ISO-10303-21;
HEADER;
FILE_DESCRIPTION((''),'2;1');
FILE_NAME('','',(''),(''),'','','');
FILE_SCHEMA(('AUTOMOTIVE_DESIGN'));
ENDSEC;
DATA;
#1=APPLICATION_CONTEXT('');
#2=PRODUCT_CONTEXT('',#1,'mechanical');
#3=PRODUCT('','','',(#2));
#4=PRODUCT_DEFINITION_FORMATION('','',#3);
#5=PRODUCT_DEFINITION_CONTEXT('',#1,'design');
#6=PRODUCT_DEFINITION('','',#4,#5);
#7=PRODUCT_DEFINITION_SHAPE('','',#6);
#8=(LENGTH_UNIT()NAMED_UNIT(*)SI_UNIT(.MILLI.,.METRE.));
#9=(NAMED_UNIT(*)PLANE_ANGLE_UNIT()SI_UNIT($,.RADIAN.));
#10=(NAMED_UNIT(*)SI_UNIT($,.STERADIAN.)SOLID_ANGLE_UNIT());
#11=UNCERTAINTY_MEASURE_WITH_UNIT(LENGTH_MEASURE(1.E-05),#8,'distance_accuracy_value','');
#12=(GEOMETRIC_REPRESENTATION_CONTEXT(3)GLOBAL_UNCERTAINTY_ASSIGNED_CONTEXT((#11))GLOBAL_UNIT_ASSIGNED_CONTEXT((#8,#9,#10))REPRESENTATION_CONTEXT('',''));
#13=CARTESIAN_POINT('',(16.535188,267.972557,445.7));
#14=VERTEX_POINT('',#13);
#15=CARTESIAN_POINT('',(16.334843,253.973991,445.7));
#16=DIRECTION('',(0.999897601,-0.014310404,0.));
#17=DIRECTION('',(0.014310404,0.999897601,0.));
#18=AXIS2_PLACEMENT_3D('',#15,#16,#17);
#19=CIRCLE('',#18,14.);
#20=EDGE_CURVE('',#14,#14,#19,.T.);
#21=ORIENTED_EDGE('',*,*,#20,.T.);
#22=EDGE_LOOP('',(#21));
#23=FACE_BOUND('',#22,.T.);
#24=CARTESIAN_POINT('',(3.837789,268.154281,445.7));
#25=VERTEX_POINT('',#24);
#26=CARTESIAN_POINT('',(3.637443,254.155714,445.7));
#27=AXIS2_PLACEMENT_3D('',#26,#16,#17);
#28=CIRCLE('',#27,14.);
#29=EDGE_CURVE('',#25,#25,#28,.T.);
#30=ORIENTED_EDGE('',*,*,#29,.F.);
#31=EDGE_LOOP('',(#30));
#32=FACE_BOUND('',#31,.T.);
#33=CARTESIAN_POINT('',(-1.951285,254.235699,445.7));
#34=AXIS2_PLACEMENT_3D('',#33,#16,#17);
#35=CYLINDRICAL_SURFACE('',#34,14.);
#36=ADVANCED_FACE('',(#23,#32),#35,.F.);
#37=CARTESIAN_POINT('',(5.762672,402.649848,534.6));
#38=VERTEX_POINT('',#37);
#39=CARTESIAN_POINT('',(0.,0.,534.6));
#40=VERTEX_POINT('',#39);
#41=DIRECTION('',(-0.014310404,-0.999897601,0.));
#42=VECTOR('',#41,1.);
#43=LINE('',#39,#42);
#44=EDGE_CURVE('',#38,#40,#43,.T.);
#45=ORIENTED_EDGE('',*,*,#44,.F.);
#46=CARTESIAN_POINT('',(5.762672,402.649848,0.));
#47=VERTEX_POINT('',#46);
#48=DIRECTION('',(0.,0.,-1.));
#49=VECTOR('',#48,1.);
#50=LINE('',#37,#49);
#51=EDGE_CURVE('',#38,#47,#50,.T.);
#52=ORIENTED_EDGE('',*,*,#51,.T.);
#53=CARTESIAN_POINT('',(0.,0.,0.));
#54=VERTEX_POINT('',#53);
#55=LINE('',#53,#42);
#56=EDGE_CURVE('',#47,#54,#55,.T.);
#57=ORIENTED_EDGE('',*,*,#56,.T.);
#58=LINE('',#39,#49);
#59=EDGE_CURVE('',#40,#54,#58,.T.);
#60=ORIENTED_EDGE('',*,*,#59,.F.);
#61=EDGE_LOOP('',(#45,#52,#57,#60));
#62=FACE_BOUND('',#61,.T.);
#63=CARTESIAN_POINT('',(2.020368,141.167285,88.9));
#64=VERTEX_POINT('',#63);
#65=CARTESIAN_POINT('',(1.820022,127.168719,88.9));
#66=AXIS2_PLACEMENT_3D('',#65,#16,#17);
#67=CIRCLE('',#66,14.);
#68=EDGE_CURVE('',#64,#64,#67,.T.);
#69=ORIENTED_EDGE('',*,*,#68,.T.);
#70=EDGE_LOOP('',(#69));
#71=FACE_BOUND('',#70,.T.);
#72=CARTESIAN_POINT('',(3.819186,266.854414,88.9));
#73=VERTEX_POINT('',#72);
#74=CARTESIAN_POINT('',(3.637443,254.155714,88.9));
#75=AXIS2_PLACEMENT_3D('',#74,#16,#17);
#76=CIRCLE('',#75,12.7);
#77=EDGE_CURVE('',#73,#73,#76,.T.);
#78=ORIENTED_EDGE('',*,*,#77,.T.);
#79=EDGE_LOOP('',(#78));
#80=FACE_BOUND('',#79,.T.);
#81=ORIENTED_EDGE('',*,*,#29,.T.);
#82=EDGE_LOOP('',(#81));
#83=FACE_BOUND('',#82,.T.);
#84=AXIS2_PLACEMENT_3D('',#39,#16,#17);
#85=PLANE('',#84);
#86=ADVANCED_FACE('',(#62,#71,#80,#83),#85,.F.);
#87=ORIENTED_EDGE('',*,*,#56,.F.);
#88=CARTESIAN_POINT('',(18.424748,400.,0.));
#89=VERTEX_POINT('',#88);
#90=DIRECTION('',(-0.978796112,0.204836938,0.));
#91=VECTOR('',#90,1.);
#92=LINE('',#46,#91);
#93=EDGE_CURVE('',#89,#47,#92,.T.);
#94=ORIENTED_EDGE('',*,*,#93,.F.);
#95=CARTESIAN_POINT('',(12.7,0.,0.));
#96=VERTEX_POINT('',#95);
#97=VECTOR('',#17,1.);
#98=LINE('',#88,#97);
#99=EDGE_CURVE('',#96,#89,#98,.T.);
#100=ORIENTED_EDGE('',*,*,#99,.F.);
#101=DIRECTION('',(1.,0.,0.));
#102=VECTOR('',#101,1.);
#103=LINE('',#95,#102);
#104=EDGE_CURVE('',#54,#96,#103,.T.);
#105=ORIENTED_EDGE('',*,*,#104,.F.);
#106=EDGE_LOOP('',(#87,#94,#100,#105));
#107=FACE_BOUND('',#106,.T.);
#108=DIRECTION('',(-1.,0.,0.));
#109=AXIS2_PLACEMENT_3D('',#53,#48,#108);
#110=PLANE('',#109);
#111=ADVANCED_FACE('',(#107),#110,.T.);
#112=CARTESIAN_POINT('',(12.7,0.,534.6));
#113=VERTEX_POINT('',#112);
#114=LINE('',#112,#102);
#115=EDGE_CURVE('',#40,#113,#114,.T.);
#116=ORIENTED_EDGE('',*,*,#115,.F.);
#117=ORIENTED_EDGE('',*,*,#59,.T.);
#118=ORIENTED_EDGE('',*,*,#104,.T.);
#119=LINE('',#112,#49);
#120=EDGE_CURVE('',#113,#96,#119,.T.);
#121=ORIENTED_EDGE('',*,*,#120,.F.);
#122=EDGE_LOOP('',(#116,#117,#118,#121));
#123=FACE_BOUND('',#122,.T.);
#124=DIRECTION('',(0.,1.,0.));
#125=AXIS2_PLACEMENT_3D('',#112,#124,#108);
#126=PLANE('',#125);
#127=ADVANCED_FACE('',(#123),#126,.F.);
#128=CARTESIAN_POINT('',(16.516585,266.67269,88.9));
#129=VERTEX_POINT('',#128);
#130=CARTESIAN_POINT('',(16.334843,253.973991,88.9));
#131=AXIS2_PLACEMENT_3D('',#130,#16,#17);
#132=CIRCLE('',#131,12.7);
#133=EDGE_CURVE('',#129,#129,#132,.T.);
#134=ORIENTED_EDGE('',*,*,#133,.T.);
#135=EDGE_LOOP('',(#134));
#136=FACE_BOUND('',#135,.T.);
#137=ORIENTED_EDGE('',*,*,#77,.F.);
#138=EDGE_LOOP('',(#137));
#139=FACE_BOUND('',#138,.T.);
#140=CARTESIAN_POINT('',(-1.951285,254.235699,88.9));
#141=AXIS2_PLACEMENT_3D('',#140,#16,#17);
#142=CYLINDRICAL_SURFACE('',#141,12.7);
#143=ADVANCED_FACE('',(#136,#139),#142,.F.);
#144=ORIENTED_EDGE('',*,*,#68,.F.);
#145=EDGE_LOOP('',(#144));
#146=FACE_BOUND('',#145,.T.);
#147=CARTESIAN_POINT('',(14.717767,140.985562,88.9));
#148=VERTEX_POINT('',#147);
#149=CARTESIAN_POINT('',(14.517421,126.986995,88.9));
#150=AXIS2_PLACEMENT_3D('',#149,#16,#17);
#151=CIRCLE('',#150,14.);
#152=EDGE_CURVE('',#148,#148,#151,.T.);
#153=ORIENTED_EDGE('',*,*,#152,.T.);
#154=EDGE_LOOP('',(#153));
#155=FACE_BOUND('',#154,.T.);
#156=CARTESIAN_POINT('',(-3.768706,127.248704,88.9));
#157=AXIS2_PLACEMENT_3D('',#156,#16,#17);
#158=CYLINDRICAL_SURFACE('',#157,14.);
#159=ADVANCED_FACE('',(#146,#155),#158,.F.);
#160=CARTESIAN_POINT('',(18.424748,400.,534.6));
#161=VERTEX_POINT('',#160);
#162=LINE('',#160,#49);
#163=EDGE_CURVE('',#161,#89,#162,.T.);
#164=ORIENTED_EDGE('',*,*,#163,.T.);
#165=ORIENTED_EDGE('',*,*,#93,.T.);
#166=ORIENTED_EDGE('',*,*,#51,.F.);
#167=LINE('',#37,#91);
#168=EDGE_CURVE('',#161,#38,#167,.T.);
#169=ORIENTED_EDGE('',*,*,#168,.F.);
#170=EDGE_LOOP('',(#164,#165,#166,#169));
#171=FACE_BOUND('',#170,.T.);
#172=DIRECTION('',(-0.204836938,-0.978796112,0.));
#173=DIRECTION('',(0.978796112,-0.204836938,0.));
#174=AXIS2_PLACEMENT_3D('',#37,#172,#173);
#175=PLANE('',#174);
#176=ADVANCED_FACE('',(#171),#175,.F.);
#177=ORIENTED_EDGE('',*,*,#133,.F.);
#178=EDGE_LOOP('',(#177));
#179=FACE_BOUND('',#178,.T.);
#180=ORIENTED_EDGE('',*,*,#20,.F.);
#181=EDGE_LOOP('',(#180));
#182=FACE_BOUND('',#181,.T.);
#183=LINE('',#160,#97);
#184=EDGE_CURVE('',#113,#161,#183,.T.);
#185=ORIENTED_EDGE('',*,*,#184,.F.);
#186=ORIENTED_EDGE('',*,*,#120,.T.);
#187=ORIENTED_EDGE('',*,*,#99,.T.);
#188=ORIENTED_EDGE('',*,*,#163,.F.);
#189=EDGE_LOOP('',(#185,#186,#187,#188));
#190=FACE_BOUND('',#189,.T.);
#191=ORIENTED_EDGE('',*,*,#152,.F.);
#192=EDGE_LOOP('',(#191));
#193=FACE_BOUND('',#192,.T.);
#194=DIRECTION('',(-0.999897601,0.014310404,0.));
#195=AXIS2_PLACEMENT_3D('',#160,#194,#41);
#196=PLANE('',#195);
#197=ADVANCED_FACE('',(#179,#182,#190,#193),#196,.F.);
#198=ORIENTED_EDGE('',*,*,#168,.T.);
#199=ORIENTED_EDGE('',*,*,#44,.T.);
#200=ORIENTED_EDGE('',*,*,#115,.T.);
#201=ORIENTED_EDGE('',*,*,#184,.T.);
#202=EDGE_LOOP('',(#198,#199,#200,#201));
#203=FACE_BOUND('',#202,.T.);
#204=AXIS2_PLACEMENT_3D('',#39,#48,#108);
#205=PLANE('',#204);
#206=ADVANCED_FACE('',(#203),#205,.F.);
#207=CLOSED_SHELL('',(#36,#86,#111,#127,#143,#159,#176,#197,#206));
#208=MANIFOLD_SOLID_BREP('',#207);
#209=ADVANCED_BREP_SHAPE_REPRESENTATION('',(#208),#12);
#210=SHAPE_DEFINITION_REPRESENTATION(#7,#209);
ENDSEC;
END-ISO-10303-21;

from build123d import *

# Parameters (mm, degrees)
BOSS_EXTRUDE1_DEPTH = 534.6
SKETCH2_R           = 12.7
CUT_EXTRUDE1_DEPTH  = 18.288
SKETCH3_R           = 14
CUT_EXTRUDE2_DEPTH  = 18.288
SKETCH4_R           = 14
CUT_EXTRUDE3_DEPTH  = 18.288


with BuildPart() as part:
    # Sketch1 → Boss-Extrude1 (new body)
    with BuildSketch(Plane.XY):
        Polygon((0, 0), (5.762672042, 402.6498479), (18.424747765, 400), (12.7, 0), align=None)
    extrude(amount=BOSS_EXTRUDE1_DEPTH)

    # Sketch2 → Cut-Extrude1 (cut)
    with BuildSketch(Plane(origin=(12.697399197, -0.181723519, 0), x_dir=(0, 0, -1), z_dir=(0.9998976009274501, -0.014310403891230014, 0))):
        with Locations(Location((-88.9, 254.181742129, 0), (0, 0, 90))):
            Circle(SKETCH2_R)
    extrude(amount=-CUT_EXTRUDE1_DEPTH, mode=Mode.SUBTRACT)

    # Sketch3 → Cut-Extrude2 (cut)
    with BuildSketch(Plane(origin=(12.697399197, -0.181723519, 0), x_dir=(0, 0, -1), z_dir=(0.9998976009274501, -0.014310403891230014, 0))):
        with Locations(Location((-88.9, 127.181742129, 0), (0, 0, 90))):
            Circle(SKETCH3_R)
    extrude(amount=-CUT_EXTRUDE2_DEPTH, mode=Mode.SUBTRACT)

    # Sketch4 → Cut-Extrude3 (cut)
    with BuildSketch(Plane(origin=(12.697399197, -0.181723519, 0), x_dir=(0, 0, -1), z_dir=(0.9998976009274501, -0.014310403891230014, 0))):
        with Locations(Location((-445.7, 254.181742129, 0), (0, 0, 90))):
            Circle(SKETCH4_R)
    extrude(amount=-CUT_EXTRUDE3_DEPTH, mode=Mode.SUBTRACT)


solid = part.part
